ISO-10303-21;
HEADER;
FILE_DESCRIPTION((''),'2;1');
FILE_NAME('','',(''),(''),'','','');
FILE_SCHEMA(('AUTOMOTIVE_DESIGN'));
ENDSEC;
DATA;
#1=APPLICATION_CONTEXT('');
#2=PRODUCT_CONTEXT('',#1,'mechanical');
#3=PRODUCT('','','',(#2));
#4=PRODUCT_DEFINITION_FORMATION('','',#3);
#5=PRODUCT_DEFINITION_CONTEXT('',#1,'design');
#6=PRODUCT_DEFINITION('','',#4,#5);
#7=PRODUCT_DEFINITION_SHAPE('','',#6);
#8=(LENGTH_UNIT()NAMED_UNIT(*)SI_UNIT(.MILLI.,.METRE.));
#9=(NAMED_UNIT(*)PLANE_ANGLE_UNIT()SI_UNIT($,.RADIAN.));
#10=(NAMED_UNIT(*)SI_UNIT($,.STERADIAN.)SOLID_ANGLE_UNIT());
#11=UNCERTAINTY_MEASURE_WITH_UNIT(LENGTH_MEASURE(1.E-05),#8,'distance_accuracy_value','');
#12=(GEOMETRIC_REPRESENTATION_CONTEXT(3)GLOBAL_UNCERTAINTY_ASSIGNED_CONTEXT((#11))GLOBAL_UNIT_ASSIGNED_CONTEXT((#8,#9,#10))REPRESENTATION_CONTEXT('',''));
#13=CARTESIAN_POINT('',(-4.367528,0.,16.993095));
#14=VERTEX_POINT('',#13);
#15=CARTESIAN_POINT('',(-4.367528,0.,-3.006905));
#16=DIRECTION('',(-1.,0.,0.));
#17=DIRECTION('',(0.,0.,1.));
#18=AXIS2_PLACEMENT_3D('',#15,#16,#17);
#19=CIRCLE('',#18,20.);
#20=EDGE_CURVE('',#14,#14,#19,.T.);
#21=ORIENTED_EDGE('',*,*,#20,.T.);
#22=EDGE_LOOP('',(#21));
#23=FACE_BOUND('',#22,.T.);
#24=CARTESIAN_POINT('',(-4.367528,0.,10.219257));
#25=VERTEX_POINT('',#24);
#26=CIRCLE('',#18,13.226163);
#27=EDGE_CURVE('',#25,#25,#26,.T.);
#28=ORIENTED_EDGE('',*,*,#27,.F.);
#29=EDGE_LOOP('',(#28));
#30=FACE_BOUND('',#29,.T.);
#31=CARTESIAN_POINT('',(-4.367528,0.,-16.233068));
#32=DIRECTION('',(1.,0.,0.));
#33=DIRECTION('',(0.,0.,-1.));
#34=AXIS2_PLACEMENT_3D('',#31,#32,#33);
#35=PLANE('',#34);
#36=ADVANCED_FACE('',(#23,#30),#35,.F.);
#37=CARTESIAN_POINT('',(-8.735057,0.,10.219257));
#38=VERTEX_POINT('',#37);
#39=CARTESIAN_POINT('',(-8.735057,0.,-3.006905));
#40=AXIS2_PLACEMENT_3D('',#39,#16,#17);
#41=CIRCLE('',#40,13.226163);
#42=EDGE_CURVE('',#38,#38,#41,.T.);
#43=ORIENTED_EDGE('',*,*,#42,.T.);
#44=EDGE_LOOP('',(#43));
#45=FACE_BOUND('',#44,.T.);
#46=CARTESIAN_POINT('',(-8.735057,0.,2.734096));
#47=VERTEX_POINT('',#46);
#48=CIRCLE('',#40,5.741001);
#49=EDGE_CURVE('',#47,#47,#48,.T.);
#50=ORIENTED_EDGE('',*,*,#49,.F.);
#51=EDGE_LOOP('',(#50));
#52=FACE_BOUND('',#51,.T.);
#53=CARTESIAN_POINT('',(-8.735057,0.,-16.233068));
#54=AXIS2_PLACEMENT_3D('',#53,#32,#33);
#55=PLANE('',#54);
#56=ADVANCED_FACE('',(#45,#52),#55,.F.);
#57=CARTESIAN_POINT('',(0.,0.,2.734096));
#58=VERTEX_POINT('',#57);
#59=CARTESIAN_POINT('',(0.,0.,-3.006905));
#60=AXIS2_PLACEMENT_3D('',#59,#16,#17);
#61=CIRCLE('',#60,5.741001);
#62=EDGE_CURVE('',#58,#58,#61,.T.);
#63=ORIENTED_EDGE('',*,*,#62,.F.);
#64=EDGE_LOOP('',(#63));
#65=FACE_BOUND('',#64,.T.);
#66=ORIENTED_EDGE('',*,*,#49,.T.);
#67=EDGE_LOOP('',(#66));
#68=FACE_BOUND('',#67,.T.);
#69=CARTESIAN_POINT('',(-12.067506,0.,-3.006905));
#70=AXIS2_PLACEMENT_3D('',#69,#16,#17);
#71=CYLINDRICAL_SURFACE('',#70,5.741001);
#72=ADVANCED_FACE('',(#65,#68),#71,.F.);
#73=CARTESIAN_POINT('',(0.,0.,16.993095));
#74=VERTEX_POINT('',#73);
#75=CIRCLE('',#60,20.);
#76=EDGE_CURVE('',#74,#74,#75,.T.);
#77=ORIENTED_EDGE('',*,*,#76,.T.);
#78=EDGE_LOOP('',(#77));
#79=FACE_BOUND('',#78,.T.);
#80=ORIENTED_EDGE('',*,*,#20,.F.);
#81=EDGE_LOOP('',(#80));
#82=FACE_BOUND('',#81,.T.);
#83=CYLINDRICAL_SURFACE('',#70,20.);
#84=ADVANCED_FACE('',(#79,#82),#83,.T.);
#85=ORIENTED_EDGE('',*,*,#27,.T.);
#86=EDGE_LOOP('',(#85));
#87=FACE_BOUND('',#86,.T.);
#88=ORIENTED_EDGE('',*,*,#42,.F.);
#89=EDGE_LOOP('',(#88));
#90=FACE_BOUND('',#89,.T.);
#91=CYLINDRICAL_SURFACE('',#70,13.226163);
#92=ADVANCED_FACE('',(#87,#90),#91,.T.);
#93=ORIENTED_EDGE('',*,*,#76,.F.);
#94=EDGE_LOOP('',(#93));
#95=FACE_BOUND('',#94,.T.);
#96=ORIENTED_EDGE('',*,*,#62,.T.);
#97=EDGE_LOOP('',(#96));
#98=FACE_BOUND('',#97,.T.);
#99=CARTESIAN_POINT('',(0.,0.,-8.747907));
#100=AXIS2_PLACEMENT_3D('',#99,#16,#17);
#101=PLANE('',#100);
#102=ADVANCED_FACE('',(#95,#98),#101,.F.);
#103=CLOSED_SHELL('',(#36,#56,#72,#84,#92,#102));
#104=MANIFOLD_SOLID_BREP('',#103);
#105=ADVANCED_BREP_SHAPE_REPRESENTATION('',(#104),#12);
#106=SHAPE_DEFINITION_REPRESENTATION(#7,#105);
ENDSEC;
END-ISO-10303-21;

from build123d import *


with BuildPart() as part:
    # Sketch1 → Revolve1 (revolve)
    with BuildSketch(Plane(origin=(0, 0, 0), x_dir=(1, 0, 0), z_dir=(0, 1, 0))):
        Polygon((-8.735056791, 16.233067967), (-8.735056791, 8.747906619), (0, 8.747906619), (0, 23.006905401), (-4.367528396, 23.006905401), (-4.367528396, 16.233067967), align=None)
    revolve(axis=Axis((-12.067506203, 0, -3.006905401), (1, 0, 0)))


solid = part.part
